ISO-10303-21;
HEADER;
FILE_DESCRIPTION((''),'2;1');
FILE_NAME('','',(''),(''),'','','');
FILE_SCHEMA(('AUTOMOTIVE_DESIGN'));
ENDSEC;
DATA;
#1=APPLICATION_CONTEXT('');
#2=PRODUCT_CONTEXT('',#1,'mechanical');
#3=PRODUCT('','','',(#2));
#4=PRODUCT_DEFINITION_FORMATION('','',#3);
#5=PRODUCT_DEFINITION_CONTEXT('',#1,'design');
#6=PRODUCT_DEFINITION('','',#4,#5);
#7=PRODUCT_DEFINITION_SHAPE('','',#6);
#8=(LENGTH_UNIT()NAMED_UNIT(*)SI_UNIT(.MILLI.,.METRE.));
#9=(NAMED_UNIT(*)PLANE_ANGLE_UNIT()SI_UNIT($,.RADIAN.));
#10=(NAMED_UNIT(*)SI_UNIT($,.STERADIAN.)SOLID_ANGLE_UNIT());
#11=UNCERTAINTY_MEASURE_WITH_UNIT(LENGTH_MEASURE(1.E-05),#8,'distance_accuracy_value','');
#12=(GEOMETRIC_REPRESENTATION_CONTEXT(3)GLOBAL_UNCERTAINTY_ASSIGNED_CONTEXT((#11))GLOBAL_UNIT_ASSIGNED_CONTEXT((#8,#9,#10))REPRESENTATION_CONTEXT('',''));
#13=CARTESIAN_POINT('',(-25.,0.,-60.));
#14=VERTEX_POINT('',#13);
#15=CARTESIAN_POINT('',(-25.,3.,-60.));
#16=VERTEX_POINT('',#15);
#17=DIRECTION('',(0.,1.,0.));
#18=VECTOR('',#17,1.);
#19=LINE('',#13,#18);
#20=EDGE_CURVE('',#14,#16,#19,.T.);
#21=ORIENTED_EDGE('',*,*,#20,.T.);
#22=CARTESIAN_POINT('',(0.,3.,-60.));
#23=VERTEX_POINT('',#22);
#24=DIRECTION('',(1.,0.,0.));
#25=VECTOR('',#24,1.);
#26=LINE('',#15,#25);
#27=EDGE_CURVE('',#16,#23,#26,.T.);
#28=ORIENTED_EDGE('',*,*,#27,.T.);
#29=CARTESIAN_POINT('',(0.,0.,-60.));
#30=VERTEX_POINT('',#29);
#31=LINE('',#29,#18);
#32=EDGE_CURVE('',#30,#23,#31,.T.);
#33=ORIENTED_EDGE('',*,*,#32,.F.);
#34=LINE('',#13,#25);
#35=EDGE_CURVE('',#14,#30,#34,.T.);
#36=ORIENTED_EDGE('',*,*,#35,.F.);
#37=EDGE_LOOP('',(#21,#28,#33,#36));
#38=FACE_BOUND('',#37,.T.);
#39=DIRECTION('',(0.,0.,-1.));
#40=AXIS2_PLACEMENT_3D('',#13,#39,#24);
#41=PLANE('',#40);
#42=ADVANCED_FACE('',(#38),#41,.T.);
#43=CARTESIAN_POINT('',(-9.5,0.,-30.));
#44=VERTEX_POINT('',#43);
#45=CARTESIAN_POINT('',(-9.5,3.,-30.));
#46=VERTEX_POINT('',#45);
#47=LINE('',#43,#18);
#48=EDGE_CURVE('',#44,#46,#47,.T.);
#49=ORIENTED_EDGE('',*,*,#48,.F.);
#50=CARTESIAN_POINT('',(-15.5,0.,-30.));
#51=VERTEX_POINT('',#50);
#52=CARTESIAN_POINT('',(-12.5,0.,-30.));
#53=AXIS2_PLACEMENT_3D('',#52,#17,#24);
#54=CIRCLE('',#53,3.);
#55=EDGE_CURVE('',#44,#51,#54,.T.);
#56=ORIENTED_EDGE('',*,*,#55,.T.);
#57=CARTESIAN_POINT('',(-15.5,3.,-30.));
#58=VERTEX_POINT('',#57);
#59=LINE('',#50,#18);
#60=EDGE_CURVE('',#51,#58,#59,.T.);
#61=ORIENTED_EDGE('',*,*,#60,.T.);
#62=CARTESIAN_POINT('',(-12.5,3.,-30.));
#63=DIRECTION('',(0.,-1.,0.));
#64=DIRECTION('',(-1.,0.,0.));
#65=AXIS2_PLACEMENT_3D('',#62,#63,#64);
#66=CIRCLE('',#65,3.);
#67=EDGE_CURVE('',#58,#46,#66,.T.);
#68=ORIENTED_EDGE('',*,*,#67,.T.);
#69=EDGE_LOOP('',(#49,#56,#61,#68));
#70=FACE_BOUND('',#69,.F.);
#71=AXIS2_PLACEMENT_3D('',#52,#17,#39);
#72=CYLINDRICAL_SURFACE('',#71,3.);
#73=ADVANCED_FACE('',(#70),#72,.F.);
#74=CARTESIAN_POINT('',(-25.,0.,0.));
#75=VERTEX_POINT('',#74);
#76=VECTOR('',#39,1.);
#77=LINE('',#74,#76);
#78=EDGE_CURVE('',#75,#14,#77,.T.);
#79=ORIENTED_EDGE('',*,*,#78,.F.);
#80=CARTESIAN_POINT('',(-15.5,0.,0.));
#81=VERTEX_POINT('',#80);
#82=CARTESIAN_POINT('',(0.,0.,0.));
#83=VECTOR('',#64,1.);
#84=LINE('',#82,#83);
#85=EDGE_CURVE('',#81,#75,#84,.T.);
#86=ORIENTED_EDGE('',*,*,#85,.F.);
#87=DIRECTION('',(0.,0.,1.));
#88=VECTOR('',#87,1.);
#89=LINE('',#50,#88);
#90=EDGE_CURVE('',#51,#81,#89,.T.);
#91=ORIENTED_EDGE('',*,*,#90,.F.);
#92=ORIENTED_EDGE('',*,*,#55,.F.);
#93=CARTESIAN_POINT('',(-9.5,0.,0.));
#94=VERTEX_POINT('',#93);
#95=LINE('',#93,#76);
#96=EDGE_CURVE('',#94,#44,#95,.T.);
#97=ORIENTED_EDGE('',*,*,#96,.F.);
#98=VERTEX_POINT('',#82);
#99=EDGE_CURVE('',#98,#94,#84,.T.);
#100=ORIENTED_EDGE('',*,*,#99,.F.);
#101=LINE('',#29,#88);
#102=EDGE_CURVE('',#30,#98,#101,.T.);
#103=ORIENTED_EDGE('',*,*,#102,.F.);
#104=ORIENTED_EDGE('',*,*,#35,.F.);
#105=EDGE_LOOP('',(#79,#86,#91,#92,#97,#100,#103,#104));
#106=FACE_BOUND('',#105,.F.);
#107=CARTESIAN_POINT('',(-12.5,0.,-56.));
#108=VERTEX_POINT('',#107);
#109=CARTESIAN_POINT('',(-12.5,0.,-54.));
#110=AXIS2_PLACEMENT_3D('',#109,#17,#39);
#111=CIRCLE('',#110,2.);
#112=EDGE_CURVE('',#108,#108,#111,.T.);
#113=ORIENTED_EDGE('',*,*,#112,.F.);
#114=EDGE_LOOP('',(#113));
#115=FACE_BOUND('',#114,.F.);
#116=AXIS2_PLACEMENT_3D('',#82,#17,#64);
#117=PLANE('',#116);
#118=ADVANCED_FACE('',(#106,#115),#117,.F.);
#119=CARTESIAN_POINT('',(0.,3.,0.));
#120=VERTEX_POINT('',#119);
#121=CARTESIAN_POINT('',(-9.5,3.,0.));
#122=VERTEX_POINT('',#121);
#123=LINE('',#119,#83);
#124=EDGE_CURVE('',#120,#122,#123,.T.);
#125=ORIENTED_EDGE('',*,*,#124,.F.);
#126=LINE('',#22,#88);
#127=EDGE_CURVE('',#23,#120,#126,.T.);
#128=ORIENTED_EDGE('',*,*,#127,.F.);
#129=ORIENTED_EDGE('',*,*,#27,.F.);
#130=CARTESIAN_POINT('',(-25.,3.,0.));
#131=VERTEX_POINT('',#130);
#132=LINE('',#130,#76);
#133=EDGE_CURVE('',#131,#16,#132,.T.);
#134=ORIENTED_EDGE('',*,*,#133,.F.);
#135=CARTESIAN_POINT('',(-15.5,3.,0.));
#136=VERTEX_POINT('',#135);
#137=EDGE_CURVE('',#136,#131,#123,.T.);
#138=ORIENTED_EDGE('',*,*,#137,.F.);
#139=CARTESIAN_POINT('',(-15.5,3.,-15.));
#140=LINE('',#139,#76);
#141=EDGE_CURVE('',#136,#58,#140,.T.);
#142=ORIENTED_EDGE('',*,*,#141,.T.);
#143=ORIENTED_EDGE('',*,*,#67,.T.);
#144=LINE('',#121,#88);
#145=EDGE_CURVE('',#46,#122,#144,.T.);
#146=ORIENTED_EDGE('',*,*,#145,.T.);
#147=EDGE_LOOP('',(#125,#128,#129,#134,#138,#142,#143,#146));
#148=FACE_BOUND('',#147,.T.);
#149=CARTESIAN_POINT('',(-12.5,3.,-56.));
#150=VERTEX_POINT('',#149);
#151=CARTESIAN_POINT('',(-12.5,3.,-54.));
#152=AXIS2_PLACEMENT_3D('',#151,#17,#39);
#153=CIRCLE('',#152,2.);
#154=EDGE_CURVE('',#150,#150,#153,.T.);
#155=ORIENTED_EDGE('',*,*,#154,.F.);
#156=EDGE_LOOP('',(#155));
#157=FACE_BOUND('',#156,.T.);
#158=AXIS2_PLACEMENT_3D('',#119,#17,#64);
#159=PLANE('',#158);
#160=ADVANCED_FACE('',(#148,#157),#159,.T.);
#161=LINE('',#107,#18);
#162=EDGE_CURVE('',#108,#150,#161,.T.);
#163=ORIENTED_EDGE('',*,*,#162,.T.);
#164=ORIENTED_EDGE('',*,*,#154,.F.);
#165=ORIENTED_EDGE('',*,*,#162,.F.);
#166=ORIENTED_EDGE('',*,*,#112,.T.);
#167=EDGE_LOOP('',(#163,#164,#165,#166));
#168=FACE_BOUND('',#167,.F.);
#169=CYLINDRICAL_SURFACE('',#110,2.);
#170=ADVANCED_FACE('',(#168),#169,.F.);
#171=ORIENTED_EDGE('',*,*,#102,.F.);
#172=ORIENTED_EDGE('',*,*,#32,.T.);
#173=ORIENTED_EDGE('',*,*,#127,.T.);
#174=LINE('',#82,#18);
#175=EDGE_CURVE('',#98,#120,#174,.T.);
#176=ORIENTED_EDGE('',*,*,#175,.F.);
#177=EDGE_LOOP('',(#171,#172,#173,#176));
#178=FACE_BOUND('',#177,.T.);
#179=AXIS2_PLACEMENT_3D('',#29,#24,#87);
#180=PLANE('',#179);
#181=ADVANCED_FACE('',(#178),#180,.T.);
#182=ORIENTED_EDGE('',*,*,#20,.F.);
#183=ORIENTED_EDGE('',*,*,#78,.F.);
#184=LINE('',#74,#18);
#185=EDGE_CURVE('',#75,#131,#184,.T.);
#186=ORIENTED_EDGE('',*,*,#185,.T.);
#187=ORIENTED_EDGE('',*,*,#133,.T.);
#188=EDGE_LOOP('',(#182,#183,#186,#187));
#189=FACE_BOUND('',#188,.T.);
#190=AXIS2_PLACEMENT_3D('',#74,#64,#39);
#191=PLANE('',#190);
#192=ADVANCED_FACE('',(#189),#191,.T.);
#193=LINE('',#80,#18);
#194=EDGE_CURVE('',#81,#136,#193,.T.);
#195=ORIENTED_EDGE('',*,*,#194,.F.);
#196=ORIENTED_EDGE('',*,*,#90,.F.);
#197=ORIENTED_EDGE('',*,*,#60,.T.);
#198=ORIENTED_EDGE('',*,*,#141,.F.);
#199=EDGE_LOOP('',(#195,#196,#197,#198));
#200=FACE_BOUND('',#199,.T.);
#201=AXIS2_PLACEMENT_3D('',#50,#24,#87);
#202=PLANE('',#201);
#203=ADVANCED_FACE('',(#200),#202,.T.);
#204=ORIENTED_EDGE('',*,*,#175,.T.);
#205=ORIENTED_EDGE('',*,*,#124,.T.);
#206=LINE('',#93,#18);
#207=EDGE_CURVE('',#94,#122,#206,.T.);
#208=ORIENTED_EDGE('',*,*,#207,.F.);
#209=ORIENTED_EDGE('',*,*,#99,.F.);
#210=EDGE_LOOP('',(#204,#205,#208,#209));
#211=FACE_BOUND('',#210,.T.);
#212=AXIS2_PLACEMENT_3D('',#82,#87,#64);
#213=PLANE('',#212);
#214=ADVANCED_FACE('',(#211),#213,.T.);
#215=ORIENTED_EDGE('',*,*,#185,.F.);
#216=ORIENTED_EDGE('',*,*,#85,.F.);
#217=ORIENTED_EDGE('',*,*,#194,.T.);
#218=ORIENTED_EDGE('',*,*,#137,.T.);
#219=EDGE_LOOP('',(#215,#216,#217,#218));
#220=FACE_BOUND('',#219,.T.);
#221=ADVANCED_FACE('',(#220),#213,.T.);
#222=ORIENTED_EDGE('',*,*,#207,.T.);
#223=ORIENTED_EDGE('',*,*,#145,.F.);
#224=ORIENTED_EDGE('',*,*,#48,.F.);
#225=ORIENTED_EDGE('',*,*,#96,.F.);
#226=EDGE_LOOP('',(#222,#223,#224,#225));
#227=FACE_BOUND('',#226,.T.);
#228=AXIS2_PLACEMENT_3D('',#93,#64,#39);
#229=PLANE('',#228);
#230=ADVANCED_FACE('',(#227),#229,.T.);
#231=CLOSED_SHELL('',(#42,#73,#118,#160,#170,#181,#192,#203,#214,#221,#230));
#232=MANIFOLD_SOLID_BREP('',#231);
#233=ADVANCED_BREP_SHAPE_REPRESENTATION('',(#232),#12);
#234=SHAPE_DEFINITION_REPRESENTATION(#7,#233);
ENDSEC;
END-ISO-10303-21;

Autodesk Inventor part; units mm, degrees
ref_plane "YZ Plane" through (0, 0, 0) normal (1, 0, 0) x (0, 1, 0)
ref_plane "XZ Plane" through (0, 0, 0) normal (0, 1, 0) x (-1, 0, 0)
ref_plane "XY Plane" through (0, 0, 0) normal (0, 0, 1) x (1, 0, 0)
sketch "Sketch1" plane through (0, 0, 0) normal (0, 1, 0) x (-1, 0, 0)
  line L0 (0, 0) -> (25, 0)
  line L1 (25, 0) -> (25, -60)
  line L2 (25, -60) -> (0, -60)
  line L3 (0, -60) -> (0, 0)
  point P0 (12.5, -54)
  dimension "d0" = 25
  dimension "d1" = 60
  dimension "d15" = 6
extrude "Extrusion1" add sketch "Sketch1" along normal blind 3
sketch "Sketch2" plane through (0, 0, 0) normal (0, -1, 0) x (1, 0, 0)
  point P0 (0, 0)
  point P1 (-12.5, -54)
hole "Hole2" at (-12.5, 0, -54) direction (0, 1, 0) diameter 4 end through all
sketch "Sketch3" plane through (0, 0, 0) normal (0, -1, 0) x (1, 0, 0)
  point P0 (0, 0)
  point P1 (-12.5, -30)
hole "Hole3" at (-12.5, 0, -30) direction (0, 1, 0) diameter 6 end through all
sketch "Sketch4" plane through (0, 0, 0) normal (0, -1, 0) x (1, 0, 0)
  circle A0 centre (-12.5, -30) radius 3 projected
  line L0 (-25, 0) -> (0, 0) projected
  line L1 (-9.5, -30) -> (-15.5, -30)
  line L2 (-15.5, -30) -> (-15.5, 0)
  line L3 (-15.5, 0) -> (-9.5, 0)
  line L4 (-9.5, 0) -> (-9.5, -30)
extrude "Extrusion2" cut sketch "Sketch4" against normal through all contours L1 A0 | A0 L2 L0 L4 picked at (-11.666, -28.6328)
properties part number "Spacer_lazy_susan"
